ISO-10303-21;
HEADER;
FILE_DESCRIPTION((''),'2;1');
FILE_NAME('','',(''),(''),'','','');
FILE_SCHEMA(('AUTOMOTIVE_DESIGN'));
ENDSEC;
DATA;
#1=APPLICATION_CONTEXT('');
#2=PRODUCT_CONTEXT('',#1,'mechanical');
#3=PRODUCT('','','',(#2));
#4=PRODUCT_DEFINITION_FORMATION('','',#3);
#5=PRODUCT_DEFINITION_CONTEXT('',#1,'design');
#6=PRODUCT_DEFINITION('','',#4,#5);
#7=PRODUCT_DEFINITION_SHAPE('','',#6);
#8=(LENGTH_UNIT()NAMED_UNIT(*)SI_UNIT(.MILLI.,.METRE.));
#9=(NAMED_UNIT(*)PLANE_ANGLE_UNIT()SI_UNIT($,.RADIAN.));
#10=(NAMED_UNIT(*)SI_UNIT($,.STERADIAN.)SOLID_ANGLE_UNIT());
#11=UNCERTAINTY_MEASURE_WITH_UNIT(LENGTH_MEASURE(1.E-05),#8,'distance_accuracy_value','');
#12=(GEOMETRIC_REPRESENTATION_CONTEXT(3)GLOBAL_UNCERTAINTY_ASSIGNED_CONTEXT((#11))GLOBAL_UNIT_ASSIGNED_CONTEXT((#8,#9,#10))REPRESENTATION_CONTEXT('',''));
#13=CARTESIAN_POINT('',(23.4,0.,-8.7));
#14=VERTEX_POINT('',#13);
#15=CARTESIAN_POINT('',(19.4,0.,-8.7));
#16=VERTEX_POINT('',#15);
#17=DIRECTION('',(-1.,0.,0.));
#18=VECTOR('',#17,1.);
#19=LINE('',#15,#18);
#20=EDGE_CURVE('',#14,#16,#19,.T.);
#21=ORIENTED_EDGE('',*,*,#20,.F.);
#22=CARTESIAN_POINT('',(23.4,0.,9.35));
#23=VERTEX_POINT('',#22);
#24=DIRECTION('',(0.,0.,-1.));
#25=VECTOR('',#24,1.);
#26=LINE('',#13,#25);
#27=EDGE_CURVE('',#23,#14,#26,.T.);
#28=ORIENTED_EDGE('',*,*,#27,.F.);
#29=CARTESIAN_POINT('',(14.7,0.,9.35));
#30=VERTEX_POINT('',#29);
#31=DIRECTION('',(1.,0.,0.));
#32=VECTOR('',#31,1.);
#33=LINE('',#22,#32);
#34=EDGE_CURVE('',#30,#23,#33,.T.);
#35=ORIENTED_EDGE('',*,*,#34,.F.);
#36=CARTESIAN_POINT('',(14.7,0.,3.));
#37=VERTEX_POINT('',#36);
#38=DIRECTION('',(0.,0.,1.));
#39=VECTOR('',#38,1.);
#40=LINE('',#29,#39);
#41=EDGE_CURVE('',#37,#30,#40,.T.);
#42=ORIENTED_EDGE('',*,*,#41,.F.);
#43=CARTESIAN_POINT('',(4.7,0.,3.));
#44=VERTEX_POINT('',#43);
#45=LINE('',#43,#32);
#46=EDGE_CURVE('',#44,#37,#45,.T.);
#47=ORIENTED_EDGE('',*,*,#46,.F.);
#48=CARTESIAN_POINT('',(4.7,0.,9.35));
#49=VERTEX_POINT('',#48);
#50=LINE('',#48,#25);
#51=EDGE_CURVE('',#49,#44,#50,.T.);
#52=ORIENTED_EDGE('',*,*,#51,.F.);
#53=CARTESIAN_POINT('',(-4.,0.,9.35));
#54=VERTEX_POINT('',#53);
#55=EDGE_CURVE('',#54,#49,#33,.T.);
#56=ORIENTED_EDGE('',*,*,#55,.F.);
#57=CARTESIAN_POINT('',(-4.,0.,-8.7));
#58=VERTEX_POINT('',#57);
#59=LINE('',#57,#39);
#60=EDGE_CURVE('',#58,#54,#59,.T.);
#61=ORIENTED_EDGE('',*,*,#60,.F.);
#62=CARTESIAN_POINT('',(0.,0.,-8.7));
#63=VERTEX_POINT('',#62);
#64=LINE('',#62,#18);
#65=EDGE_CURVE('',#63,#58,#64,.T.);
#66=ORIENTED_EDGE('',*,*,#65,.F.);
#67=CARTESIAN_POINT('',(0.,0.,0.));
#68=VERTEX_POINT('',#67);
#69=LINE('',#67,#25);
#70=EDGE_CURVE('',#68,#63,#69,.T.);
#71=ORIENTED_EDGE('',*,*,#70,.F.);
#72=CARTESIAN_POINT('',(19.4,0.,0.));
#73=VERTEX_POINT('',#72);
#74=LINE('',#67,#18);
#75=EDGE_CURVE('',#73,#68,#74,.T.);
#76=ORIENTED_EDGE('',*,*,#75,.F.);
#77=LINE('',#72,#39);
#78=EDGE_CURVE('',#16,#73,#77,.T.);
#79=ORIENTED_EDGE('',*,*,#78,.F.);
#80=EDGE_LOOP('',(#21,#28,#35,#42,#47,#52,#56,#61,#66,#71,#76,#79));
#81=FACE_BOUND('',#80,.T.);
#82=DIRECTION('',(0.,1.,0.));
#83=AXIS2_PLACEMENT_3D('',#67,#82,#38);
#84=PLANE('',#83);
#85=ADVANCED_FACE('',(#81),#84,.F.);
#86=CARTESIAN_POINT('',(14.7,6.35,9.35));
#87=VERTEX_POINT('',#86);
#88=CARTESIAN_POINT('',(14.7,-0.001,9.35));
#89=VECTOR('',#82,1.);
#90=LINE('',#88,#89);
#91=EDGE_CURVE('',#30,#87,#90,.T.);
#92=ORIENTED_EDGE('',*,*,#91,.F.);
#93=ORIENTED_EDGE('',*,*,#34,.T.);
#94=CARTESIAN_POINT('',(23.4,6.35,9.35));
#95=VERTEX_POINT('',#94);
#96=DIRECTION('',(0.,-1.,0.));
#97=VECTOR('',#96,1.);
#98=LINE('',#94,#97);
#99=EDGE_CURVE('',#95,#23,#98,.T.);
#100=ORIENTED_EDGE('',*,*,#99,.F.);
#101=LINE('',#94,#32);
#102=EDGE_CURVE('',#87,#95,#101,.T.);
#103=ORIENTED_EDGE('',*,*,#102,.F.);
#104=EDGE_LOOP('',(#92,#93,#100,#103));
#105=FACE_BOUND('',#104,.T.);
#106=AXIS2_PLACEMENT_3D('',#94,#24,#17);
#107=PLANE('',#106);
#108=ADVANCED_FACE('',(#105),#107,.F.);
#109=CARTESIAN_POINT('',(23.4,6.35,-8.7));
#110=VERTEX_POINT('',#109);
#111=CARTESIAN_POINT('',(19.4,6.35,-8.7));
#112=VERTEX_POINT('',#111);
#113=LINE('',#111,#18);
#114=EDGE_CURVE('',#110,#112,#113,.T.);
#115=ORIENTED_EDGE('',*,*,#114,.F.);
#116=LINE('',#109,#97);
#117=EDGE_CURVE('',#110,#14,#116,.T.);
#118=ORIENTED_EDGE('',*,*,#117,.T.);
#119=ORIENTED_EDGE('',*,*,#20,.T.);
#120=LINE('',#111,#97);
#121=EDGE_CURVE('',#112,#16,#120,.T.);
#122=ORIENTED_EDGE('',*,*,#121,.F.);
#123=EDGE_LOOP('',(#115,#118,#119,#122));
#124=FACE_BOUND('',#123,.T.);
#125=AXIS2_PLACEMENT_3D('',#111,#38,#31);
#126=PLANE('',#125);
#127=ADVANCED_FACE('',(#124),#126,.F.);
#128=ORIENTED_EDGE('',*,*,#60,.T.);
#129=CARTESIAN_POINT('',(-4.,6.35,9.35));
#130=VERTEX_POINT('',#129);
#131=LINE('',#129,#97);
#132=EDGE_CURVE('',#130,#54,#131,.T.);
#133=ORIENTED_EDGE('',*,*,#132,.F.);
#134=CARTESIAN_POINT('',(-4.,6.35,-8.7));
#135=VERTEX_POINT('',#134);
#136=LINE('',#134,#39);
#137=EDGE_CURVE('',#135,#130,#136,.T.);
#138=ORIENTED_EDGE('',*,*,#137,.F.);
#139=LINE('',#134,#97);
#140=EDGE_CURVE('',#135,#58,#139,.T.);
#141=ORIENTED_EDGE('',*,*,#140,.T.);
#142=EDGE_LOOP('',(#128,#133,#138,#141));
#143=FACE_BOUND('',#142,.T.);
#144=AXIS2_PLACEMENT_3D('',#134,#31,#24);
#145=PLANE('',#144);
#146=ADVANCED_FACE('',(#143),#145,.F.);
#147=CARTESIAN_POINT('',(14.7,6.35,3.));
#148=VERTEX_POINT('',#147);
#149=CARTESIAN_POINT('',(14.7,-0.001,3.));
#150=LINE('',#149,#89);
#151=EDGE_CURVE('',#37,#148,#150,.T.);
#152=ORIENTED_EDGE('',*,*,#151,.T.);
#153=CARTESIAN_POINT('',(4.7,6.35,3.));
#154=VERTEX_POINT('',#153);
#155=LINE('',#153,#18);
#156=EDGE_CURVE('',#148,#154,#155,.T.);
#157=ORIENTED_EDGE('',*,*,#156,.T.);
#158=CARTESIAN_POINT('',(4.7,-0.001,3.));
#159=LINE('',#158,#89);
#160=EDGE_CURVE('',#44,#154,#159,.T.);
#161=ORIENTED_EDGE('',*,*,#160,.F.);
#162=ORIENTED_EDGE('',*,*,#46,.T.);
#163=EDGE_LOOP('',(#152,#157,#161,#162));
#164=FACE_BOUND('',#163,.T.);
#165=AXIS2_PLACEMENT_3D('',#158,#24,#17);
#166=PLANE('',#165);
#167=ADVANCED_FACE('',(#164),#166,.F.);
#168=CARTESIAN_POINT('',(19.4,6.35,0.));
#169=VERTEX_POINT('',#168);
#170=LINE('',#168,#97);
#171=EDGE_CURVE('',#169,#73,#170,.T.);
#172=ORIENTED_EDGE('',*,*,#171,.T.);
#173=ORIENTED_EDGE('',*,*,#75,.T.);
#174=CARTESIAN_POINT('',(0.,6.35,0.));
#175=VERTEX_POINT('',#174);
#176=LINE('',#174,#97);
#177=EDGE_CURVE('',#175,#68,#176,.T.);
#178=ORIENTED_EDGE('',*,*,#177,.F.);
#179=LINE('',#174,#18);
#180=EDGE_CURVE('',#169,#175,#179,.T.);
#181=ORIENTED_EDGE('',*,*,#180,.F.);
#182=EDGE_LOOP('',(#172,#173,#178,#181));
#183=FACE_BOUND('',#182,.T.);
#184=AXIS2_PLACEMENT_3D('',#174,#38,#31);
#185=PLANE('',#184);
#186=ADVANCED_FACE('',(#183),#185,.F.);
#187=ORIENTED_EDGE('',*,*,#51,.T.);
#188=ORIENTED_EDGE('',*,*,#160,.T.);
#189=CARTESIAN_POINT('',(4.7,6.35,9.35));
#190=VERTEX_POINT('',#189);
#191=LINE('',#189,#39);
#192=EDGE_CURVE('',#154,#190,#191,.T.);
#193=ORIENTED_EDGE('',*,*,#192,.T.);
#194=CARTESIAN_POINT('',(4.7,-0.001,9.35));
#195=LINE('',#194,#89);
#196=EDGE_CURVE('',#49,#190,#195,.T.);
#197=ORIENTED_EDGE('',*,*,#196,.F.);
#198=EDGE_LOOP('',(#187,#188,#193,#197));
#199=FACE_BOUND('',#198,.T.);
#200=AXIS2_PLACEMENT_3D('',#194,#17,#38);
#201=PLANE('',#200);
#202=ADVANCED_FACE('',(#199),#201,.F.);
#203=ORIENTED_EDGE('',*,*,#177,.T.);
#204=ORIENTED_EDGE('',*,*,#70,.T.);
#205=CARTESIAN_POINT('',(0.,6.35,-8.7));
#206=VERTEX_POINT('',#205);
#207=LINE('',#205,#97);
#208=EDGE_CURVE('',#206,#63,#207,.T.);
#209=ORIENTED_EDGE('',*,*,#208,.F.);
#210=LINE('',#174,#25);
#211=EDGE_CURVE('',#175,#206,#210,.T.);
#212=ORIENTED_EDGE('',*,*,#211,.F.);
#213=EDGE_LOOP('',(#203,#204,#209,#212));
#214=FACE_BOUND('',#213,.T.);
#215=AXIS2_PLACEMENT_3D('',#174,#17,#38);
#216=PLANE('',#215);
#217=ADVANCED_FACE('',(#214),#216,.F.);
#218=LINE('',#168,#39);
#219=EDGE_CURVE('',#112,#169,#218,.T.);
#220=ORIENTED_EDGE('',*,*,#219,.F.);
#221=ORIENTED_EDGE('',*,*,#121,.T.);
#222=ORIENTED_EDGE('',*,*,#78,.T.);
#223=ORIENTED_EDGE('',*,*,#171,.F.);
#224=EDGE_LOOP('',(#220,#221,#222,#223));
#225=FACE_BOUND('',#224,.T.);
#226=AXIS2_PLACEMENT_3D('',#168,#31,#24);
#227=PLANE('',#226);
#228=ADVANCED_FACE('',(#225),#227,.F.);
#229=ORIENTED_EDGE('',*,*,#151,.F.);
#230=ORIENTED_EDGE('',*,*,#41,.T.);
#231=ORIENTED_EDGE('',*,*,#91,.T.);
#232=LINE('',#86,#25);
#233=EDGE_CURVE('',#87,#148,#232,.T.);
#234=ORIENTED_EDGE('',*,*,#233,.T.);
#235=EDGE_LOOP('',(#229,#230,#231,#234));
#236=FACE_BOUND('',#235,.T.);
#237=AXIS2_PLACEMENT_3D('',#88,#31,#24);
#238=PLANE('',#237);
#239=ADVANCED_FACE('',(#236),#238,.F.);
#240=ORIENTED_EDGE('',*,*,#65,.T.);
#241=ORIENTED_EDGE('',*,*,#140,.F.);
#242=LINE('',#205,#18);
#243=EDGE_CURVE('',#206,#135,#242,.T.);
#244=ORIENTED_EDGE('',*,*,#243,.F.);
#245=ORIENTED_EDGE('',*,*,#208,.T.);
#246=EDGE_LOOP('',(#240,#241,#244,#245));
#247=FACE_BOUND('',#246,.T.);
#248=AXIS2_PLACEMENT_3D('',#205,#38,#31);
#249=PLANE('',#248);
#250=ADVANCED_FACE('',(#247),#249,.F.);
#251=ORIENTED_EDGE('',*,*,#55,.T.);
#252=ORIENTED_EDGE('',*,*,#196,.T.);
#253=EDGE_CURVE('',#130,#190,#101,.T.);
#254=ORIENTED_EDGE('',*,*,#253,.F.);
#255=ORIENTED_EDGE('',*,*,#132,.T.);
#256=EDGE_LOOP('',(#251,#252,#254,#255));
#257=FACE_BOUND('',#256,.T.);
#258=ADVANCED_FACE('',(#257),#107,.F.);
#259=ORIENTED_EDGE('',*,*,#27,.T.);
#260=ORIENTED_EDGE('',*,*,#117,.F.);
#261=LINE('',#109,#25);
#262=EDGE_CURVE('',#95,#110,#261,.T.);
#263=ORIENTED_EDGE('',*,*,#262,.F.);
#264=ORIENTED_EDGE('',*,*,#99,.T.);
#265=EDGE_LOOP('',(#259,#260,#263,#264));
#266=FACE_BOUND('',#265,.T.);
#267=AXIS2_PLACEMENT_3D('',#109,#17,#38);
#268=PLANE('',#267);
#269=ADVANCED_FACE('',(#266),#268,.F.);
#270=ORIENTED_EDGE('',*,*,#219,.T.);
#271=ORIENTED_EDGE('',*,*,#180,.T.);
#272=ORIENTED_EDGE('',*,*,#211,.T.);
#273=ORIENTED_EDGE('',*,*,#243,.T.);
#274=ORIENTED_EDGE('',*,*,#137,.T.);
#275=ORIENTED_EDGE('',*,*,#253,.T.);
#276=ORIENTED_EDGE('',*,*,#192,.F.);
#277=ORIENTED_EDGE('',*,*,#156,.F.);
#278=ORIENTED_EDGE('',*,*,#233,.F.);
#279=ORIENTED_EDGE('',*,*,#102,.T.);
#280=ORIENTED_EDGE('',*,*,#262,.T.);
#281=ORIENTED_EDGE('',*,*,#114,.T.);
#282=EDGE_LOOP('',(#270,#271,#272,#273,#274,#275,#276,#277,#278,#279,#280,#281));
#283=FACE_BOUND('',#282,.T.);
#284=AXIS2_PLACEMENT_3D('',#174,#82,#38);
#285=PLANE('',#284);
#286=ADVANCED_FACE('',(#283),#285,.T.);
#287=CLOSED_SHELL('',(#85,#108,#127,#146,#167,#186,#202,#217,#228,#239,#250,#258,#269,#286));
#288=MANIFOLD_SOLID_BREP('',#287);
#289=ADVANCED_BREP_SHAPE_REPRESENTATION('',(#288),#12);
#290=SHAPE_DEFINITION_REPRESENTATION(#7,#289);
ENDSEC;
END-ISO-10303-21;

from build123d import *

# Parameters (mm, degrees)
BOSS_EXTRUDE1_DEPTH = 6.35
CUT_EXTRUDE1_REACH  = 8.35
SKETCH2_W           = 10
SKETCH2_H           = 6.35


with BuildPart() as part:
    # Sketch1 → Boss-Extrude1 (new body)
    with BuildSketch(Plane(origin=(0, 0, 0), x_dir=(1, 0, 0), z_dir=(0, 1, 0))):
        Polygon((0, 0), (19.4, 0), (19.4, 8.7), (23.4, 8.7), (23.4, -9.35), (-4, -9.35), (-4, 8.7), (0, 8.7), align=None)
    extrude(amount=BOSS_EXTRUDE1_DEPTH)

    # Sketch2 → Cut-Extrude1 (cut, up to next)
    with BuildSketch(Plane(origin=(0, 6.35, 0), x_dir=(1, 0, 0), z_dir=(0, 1, 0)), mode=Mode.PRIVATE) as cut_extrude1_sk1:
        with Locations((9.7, -6.175)):
            Rectangle(SKETCH2_W, SKETCH2_H)
    cut_extrude1_tool1 = extrude(cut_extrude1_sk1.sketch, amount=-CUT_EXTRUDE1_REACH, mode=Mode.PRIVATE) & part.part
    add(cut_extrude1_tool1.solids().sort_by_distance((9.7, 6.35, 6.175))[0], mode=Mode.SUBTRACT)


solid = part.part
